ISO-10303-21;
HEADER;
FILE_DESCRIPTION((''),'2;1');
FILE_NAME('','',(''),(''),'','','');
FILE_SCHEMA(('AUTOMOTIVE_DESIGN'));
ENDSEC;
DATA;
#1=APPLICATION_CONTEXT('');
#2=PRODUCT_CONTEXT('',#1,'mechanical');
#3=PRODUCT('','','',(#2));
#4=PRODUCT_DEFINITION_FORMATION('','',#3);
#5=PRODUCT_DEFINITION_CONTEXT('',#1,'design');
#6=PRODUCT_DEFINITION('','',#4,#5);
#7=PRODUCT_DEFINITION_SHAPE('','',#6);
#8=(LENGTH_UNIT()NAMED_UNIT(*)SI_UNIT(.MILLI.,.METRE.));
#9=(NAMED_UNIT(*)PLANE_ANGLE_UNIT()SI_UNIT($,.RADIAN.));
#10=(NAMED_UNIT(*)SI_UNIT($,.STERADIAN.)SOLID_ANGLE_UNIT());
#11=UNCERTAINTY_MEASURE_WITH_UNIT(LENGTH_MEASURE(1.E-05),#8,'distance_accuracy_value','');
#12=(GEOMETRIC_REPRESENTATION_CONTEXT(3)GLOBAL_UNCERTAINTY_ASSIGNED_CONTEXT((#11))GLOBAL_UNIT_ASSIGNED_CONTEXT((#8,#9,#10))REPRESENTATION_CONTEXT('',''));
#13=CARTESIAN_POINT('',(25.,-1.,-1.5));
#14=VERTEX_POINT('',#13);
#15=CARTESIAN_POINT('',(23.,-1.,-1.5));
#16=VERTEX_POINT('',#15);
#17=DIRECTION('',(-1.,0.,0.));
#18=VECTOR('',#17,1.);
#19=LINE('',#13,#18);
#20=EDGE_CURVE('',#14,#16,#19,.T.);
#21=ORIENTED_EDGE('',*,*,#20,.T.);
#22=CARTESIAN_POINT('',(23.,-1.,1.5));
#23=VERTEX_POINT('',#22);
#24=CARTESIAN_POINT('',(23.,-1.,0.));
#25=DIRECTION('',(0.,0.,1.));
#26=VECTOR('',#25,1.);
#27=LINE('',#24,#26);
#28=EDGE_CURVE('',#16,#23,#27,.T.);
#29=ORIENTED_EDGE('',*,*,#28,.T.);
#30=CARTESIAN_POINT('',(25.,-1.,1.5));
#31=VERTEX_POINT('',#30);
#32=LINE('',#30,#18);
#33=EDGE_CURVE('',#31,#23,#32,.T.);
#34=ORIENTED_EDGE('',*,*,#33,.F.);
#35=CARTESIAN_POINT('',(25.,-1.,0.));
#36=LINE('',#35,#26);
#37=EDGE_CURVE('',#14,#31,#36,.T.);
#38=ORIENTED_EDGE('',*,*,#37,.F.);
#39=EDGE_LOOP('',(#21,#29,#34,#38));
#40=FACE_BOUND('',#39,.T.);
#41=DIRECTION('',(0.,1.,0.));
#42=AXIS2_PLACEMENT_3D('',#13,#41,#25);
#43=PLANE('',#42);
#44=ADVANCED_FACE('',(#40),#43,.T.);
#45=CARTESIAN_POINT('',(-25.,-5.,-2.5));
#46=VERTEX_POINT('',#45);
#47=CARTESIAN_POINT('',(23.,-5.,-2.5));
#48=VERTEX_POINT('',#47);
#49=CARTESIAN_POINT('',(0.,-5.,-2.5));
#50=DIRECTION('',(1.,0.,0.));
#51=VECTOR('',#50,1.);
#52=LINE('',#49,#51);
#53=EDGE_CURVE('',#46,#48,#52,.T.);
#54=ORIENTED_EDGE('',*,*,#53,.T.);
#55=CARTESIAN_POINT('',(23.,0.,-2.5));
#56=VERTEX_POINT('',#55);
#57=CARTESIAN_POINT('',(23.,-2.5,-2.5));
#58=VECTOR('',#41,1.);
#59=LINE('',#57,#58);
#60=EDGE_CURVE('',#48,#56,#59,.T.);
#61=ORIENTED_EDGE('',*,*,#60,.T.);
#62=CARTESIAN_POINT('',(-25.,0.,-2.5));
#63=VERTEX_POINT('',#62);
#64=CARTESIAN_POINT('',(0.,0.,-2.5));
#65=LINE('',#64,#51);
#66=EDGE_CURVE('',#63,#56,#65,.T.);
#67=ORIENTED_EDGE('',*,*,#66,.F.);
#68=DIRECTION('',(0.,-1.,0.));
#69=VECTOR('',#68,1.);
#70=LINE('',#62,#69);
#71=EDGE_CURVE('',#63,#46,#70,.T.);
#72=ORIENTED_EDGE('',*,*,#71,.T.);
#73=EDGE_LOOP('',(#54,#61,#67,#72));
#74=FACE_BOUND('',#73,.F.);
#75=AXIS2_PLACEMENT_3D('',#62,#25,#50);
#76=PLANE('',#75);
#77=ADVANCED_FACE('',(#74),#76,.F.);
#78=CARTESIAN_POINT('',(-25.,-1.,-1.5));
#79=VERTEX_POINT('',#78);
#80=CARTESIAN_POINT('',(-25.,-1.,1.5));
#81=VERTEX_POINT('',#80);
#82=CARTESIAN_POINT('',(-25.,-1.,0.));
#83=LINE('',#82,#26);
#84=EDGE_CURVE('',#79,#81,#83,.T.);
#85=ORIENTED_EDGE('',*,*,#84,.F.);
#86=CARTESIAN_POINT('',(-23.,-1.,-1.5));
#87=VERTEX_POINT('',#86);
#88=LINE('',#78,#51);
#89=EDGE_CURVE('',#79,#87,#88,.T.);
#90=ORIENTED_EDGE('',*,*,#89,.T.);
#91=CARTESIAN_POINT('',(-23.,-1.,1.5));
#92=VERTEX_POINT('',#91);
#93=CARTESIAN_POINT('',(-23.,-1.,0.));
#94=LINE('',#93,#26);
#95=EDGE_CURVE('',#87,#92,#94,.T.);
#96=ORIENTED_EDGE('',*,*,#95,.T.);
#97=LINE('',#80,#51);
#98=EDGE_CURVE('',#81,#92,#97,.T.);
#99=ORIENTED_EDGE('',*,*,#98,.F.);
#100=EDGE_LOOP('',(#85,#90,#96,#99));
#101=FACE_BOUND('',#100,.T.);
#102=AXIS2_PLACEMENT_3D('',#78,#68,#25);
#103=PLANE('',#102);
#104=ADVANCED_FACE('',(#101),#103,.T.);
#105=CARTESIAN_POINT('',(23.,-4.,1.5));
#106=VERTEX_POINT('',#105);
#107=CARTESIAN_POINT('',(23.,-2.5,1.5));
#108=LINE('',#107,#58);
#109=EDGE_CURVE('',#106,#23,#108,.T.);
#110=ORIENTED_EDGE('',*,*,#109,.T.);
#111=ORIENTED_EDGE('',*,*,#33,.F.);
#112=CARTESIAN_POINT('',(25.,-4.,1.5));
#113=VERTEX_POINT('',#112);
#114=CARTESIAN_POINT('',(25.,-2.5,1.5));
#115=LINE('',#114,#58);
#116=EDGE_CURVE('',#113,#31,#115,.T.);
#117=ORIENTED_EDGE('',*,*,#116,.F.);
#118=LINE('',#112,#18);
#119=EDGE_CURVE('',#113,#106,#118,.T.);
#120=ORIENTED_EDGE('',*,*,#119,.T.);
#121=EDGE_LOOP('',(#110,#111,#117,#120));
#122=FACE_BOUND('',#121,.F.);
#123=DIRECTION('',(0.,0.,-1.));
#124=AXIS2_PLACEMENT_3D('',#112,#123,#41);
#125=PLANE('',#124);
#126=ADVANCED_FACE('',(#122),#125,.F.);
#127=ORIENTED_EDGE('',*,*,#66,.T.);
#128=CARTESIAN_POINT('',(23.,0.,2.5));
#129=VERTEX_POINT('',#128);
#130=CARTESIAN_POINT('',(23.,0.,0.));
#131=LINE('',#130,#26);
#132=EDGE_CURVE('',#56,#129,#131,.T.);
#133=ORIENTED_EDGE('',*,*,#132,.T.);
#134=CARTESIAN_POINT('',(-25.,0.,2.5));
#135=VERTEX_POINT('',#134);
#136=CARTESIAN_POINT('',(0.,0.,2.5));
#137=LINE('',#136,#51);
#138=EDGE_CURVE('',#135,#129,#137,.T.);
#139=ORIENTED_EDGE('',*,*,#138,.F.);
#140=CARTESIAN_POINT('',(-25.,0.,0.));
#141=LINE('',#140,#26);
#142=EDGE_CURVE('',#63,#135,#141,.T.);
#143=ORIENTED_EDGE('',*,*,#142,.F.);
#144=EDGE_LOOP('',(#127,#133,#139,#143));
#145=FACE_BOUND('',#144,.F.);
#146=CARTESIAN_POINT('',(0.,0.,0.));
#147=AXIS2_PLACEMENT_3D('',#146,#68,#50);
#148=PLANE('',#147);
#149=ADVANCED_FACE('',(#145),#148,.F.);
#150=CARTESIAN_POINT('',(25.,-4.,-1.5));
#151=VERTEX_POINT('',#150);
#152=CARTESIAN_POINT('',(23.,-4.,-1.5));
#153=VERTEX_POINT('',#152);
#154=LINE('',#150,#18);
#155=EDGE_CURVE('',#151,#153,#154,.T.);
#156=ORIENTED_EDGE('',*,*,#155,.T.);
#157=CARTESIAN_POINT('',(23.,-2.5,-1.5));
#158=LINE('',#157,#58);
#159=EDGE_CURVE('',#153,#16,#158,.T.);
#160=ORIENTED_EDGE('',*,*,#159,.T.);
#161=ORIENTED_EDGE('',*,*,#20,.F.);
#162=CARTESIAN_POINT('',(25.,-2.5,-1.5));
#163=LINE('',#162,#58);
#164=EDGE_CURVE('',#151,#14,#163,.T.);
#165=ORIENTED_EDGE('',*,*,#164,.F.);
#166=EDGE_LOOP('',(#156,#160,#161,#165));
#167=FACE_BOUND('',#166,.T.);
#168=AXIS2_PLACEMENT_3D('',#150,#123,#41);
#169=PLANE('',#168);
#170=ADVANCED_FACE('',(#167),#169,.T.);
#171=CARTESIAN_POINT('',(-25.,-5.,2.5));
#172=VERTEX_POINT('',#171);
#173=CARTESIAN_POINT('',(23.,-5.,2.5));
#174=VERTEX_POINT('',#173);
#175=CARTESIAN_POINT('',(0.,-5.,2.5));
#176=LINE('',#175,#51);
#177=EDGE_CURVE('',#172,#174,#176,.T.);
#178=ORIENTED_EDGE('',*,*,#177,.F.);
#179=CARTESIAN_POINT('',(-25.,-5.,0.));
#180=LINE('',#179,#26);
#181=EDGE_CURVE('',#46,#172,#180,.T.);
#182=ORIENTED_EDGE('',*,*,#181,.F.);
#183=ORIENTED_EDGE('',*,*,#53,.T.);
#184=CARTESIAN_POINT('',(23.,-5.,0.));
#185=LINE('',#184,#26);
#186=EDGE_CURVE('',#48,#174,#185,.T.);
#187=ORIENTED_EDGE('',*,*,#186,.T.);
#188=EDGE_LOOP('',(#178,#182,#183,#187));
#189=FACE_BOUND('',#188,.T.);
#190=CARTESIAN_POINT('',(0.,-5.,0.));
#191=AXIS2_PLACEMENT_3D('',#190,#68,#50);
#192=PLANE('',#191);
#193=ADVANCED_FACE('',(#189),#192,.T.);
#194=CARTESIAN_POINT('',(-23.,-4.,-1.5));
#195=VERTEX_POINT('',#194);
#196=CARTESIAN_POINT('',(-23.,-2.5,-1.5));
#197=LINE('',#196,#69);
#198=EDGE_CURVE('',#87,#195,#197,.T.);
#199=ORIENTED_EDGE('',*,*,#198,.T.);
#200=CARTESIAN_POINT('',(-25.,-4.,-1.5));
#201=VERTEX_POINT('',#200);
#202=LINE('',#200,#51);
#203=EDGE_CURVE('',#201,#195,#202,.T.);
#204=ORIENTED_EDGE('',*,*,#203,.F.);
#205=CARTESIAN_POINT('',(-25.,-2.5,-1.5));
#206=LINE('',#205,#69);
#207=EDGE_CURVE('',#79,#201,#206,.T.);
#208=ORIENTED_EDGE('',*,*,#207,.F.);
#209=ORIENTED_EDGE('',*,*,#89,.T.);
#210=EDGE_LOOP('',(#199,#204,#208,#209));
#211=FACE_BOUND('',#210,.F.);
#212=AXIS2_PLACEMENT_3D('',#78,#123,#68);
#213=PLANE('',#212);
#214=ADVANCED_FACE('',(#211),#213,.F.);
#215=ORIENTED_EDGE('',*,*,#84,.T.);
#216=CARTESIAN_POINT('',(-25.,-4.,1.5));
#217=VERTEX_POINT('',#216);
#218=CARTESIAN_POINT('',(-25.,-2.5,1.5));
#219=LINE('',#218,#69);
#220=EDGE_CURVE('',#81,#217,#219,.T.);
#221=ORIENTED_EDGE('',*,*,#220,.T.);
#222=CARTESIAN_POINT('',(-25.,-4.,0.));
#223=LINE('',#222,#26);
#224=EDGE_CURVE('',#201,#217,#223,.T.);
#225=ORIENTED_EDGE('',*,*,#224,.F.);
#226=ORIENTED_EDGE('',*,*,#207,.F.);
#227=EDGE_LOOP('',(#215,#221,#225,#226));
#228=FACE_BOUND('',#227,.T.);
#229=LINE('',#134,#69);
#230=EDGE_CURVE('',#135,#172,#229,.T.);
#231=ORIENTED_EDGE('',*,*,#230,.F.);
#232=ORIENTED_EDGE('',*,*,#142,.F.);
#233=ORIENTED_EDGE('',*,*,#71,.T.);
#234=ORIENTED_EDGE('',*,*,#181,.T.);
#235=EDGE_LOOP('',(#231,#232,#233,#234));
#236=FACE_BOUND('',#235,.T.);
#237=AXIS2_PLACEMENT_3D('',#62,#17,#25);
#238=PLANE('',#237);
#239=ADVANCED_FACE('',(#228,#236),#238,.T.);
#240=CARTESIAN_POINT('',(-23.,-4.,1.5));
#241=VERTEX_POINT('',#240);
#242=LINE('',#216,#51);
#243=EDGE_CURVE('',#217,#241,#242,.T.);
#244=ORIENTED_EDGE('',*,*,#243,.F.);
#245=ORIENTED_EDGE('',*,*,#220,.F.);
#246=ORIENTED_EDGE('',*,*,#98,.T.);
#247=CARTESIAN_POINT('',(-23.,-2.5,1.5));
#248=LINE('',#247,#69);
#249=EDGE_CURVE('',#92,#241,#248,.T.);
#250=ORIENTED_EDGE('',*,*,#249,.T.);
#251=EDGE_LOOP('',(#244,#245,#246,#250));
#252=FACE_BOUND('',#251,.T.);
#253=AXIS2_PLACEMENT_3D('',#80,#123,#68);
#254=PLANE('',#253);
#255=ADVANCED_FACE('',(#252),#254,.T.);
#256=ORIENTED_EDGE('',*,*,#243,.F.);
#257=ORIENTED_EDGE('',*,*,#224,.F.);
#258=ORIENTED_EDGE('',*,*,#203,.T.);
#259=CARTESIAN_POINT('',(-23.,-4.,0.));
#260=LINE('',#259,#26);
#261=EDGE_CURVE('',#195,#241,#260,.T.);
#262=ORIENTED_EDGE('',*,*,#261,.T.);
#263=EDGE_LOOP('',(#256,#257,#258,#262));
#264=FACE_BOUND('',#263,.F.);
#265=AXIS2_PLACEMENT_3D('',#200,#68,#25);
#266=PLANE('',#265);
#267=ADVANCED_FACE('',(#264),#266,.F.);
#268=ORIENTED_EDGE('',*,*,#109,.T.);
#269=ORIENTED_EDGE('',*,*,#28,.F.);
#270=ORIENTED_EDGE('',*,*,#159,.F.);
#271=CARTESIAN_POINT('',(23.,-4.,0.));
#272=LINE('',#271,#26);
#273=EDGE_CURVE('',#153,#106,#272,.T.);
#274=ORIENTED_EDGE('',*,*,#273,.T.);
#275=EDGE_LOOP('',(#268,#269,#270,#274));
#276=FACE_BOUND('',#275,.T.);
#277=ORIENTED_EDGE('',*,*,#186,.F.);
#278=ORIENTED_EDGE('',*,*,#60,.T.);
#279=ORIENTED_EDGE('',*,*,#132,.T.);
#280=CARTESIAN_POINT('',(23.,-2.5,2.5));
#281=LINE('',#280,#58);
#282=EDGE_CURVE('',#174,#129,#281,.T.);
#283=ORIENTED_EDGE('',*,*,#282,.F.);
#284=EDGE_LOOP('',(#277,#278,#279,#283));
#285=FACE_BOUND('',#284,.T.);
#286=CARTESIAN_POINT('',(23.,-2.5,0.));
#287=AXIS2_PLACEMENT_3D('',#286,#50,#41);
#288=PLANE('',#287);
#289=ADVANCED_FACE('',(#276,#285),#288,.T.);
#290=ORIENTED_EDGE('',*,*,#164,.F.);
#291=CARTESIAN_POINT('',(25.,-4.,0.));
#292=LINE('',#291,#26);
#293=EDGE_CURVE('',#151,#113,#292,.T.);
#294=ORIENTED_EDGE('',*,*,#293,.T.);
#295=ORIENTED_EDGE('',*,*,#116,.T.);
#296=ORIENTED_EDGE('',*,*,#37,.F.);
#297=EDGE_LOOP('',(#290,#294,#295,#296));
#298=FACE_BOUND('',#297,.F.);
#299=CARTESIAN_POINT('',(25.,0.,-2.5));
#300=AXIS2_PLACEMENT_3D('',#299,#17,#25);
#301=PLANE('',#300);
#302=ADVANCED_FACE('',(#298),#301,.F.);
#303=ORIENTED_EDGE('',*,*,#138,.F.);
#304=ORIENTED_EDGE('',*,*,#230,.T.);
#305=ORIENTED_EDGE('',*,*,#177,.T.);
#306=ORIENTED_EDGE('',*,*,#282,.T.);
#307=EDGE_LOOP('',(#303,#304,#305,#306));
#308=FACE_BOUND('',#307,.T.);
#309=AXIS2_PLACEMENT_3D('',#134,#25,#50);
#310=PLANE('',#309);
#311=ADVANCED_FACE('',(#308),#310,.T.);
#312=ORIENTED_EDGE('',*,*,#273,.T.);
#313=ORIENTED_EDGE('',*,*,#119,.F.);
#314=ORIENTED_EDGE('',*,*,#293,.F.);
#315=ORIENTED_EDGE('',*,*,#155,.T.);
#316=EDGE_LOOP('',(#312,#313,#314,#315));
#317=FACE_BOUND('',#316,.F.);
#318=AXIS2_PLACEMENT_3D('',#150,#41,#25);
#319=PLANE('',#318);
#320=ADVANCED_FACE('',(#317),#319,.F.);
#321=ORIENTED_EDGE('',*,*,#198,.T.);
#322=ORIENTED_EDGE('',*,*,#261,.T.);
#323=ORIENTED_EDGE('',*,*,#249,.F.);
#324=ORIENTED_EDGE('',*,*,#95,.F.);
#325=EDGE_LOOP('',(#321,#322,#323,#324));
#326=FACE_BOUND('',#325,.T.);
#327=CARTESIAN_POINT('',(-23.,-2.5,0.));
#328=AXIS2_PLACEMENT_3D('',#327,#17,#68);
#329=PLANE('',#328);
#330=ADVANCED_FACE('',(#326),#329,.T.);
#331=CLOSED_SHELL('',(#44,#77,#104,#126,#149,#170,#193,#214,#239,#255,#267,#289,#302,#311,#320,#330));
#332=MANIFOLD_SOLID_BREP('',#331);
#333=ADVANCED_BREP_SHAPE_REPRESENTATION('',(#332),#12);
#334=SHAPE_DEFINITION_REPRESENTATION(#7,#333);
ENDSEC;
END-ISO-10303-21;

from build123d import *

# Parameters (mm, degrees)
F0_W     = 50
F0_H     = 5
F1_DEPTH = 5
F2_W     = 3
F2_H     = 3
F3_DEPTH = 2
F4_W     = 5
F4_H     = 5
F4_W_2   = 3
F4_H_2   = 3
F5_DEPTH = 2


with BuildPart() as f1:
    # F0 (on Front) → F1 (new body)
    with BuildSketch(Plane.XZ):
        Rectangle(F0_W, F0_H)
    extrude(amount=F1_DEPTH)

    # F2 (on face) → F3 (cut)
    with BuildSketch(Plane(origin=(-25, 0, 0), x_dir=(0, -1, 0), z_dir=(-1, 0, 0))):
        with Locations((2.5, 0)):
            Rectangle(F2_W, F2_H)
    extrude(amount=-F3_DEPTH, mode=Mode.SUBTRACT)

    # F4 (on face) → F5 (cut)
    with BuildSketch(Plane.YZ.offset(25)):
        with Locations((-2.5, 0)):
            Rectangle(F4_W, F4_H)
        with Locations((-2.5, 0)):
            Rectangle(F4_W_2, F4_H_2, mode=Mode.SUBTRACT)
    extrude(amount=-F5_DEPTH, mode=Mode.SUBTRACT)


solid = f1.part
